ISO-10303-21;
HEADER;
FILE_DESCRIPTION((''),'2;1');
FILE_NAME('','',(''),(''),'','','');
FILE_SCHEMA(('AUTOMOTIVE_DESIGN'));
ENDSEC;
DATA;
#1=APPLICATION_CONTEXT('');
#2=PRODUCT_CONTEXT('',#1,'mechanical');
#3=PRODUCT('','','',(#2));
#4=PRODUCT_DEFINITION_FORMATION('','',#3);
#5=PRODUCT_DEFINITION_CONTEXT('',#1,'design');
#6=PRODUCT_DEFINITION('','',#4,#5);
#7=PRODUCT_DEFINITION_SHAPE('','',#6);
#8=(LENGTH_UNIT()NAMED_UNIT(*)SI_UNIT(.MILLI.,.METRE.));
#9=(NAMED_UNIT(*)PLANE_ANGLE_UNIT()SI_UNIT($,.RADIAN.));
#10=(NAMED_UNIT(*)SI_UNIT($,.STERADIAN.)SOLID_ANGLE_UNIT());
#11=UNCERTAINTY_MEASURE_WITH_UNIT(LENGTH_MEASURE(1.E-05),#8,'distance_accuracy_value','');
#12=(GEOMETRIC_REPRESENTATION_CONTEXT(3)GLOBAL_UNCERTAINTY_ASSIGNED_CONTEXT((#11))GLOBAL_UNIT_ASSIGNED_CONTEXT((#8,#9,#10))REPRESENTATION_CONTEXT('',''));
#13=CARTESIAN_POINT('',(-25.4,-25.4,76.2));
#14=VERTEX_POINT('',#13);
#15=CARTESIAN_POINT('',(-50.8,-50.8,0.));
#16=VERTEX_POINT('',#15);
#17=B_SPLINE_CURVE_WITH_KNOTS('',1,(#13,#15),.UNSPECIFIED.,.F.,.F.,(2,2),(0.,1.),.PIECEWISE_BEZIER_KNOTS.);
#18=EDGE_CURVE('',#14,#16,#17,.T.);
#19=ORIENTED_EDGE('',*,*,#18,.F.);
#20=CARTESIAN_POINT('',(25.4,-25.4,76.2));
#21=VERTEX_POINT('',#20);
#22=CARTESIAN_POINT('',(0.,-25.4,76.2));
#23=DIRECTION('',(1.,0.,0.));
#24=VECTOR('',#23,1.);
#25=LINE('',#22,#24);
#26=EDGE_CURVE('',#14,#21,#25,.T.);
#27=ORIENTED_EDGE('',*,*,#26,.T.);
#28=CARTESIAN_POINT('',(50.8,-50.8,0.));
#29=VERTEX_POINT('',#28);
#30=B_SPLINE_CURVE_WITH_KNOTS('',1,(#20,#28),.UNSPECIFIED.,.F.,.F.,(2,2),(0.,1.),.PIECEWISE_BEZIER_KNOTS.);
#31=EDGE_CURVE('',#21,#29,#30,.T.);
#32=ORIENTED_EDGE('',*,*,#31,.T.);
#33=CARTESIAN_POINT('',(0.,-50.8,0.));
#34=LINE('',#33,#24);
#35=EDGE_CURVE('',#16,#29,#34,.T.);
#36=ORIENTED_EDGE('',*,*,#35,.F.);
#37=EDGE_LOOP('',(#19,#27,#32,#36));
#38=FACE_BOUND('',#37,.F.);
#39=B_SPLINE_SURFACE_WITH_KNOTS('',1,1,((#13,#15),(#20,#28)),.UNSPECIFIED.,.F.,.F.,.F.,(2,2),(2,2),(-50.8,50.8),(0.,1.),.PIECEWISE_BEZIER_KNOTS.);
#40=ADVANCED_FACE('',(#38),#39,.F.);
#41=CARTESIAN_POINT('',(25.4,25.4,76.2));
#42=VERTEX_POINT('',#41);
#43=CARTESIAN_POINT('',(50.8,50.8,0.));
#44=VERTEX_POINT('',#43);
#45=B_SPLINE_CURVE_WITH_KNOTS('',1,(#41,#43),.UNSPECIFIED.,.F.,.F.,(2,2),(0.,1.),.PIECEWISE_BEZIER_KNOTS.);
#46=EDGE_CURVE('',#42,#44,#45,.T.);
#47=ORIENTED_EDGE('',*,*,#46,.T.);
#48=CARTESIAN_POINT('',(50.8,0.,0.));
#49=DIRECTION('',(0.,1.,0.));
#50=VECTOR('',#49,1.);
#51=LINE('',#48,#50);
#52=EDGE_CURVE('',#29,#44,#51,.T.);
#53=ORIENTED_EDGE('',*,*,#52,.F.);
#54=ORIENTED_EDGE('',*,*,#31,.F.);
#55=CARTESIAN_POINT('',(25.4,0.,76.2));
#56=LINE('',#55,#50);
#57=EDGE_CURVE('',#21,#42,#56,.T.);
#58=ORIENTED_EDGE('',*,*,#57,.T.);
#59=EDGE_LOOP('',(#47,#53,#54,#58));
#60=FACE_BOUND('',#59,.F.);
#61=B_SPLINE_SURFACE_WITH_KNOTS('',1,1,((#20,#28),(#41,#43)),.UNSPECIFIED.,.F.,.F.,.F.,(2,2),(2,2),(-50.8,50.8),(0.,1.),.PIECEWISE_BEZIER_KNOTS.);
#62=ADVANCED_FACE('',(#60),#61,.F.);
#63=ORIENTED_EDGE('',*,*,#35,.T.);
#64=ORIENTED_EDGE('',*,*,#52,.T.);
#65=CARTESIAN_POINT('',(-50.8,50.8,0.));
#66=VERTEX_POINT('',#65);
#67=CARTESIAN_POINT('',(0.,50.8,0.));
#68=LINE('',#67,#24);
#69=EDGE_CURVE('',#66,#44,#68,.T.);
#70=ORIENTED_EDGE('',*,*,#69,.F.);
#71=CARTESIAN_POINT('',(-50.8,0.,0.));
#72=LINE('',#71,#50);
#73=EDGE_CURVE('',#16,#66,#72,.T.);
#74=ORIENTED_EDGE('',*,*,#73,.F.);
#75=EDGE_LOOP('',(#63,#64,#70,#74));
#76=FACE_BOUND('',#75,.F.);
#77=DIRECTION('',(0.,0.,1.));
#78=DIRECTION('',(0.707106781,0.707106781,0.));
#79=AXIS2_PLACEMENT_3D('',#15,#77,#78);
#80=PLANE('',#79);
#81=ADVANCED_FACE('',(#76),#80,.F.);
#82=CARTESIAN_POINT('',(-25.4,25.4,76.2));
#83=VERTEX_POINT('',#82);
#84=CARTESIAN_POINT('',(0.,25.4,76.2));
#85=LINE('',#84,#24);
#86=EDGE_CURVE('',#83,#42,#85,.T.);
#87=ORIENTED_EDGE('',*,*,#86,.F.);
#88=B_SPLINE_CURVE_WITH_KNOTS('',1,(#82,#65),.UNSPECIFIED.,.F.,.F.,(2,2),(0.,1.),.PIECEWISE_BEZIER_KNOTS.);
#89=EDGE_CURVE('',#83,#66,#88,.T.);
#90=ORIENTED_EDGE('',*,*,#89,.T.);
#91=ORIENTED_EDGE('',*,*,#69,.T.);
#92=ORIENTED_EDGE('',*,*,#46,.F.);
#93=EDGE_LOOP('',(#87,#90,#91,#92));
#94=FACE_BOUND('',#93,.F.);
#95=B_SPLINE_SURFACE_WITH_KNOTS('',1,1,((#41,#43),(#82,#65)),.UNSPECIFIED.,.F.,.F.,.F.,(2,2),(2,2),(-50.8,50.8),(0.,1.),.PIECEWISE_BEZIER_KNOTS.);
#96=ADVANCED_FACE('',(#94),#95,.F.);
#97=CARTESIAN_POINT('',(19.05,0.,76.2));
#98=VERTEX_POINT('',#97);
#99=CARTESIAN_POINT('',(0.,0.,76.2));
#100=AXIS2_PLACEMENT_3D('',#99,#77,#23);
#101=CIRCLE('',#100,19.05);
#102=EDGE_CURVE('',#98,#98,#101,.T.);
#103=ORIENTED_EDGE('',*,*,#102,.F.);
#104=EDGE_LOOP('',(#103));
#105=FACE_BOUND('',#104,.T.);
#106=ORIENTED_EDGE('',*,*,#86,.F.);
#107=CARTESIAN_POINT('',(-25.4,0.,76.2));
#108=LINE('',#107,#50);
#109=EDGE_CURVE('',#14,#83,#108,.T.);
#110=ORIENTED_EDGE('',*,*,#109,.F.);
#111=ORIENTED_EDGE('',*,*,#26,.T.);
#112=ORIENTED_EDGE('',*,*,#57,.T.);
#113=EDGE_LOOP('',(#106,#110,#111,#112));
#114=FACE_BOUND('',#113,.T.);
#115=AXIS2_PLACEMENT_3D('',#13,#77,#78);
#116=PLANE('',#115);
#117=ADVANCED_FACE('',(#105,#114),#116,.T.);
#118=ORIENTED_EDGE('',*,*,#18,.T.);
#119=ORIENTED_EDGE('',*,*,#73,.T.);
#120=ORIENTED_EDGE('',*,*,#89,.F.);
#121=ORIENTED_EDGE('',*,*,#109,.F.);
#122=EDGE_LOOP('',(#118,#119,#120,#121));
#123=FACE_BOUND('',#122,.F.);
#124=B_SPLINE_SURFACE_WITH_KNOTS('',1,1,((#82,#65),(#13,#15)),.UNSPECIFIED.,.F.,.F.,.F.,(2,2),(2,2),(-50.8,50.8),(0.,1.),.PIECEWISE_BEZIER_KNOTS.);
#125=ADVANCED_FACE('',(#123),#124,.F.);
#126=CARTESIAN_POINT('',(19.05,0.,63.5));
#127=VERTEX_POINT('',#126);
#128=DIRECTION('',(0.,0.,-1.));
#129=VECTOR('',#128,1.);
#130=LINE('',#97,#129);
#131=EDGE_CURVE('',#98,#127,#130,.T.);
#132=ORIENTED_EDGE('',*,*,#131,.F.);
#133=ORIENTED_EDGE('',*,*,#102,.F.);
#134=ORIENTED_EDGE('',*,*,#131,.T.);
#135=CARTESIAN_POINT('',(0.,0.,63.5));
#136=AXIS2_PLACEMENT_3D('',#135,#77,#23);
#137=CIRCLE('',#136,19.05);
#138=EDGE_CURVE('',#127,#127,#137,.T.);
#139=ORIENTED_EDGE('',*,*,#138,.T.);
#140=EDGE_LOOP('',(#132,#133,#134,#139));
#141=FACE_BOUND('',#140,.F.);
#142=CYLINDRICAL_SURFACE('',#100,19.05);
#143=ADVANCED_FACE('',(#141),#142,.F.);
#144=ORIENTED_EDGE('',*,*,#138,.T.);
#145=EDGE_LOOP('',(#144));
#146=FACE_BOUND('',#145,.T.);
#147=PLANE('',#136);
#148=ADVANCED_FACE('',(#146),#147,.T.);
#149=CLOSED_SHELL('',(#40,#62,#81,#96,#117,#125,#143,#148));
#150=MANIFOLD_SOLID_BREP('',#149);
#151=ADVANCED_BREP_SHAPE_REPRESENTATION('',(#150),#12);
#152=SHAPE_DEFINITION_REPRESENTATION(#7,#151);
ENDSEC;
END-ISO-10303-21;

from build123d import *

# Parameters (mm, degrees)
F2_W     = 50.8
F2_H     = 50.8
F0_W     = 101.6
F0_H     = 101.6
F4_R     = 19.05
F5_DEPTH = 12.7


with BuildPart() as f3:
    # F2 (on offset) → F3 section 0
    with BuildSketch(Plane.XY.offset(76.2)):
        Rectangle(F2_W, F2_H)
    # F0 (on Top) → F3 section 1
    with BuildSketch(Plane.XY):
        Rectangle(F0_W, F0_H)
    loft()

    # F4 (on face) → F5 (cut)
    with BuildSketch(Plane.XY.offset(76.2)):
        Circle(F4_R)
    extrude(amount=-F5_DEPTH, mode=Mode.SUBTRACT)


solid = f3.part
